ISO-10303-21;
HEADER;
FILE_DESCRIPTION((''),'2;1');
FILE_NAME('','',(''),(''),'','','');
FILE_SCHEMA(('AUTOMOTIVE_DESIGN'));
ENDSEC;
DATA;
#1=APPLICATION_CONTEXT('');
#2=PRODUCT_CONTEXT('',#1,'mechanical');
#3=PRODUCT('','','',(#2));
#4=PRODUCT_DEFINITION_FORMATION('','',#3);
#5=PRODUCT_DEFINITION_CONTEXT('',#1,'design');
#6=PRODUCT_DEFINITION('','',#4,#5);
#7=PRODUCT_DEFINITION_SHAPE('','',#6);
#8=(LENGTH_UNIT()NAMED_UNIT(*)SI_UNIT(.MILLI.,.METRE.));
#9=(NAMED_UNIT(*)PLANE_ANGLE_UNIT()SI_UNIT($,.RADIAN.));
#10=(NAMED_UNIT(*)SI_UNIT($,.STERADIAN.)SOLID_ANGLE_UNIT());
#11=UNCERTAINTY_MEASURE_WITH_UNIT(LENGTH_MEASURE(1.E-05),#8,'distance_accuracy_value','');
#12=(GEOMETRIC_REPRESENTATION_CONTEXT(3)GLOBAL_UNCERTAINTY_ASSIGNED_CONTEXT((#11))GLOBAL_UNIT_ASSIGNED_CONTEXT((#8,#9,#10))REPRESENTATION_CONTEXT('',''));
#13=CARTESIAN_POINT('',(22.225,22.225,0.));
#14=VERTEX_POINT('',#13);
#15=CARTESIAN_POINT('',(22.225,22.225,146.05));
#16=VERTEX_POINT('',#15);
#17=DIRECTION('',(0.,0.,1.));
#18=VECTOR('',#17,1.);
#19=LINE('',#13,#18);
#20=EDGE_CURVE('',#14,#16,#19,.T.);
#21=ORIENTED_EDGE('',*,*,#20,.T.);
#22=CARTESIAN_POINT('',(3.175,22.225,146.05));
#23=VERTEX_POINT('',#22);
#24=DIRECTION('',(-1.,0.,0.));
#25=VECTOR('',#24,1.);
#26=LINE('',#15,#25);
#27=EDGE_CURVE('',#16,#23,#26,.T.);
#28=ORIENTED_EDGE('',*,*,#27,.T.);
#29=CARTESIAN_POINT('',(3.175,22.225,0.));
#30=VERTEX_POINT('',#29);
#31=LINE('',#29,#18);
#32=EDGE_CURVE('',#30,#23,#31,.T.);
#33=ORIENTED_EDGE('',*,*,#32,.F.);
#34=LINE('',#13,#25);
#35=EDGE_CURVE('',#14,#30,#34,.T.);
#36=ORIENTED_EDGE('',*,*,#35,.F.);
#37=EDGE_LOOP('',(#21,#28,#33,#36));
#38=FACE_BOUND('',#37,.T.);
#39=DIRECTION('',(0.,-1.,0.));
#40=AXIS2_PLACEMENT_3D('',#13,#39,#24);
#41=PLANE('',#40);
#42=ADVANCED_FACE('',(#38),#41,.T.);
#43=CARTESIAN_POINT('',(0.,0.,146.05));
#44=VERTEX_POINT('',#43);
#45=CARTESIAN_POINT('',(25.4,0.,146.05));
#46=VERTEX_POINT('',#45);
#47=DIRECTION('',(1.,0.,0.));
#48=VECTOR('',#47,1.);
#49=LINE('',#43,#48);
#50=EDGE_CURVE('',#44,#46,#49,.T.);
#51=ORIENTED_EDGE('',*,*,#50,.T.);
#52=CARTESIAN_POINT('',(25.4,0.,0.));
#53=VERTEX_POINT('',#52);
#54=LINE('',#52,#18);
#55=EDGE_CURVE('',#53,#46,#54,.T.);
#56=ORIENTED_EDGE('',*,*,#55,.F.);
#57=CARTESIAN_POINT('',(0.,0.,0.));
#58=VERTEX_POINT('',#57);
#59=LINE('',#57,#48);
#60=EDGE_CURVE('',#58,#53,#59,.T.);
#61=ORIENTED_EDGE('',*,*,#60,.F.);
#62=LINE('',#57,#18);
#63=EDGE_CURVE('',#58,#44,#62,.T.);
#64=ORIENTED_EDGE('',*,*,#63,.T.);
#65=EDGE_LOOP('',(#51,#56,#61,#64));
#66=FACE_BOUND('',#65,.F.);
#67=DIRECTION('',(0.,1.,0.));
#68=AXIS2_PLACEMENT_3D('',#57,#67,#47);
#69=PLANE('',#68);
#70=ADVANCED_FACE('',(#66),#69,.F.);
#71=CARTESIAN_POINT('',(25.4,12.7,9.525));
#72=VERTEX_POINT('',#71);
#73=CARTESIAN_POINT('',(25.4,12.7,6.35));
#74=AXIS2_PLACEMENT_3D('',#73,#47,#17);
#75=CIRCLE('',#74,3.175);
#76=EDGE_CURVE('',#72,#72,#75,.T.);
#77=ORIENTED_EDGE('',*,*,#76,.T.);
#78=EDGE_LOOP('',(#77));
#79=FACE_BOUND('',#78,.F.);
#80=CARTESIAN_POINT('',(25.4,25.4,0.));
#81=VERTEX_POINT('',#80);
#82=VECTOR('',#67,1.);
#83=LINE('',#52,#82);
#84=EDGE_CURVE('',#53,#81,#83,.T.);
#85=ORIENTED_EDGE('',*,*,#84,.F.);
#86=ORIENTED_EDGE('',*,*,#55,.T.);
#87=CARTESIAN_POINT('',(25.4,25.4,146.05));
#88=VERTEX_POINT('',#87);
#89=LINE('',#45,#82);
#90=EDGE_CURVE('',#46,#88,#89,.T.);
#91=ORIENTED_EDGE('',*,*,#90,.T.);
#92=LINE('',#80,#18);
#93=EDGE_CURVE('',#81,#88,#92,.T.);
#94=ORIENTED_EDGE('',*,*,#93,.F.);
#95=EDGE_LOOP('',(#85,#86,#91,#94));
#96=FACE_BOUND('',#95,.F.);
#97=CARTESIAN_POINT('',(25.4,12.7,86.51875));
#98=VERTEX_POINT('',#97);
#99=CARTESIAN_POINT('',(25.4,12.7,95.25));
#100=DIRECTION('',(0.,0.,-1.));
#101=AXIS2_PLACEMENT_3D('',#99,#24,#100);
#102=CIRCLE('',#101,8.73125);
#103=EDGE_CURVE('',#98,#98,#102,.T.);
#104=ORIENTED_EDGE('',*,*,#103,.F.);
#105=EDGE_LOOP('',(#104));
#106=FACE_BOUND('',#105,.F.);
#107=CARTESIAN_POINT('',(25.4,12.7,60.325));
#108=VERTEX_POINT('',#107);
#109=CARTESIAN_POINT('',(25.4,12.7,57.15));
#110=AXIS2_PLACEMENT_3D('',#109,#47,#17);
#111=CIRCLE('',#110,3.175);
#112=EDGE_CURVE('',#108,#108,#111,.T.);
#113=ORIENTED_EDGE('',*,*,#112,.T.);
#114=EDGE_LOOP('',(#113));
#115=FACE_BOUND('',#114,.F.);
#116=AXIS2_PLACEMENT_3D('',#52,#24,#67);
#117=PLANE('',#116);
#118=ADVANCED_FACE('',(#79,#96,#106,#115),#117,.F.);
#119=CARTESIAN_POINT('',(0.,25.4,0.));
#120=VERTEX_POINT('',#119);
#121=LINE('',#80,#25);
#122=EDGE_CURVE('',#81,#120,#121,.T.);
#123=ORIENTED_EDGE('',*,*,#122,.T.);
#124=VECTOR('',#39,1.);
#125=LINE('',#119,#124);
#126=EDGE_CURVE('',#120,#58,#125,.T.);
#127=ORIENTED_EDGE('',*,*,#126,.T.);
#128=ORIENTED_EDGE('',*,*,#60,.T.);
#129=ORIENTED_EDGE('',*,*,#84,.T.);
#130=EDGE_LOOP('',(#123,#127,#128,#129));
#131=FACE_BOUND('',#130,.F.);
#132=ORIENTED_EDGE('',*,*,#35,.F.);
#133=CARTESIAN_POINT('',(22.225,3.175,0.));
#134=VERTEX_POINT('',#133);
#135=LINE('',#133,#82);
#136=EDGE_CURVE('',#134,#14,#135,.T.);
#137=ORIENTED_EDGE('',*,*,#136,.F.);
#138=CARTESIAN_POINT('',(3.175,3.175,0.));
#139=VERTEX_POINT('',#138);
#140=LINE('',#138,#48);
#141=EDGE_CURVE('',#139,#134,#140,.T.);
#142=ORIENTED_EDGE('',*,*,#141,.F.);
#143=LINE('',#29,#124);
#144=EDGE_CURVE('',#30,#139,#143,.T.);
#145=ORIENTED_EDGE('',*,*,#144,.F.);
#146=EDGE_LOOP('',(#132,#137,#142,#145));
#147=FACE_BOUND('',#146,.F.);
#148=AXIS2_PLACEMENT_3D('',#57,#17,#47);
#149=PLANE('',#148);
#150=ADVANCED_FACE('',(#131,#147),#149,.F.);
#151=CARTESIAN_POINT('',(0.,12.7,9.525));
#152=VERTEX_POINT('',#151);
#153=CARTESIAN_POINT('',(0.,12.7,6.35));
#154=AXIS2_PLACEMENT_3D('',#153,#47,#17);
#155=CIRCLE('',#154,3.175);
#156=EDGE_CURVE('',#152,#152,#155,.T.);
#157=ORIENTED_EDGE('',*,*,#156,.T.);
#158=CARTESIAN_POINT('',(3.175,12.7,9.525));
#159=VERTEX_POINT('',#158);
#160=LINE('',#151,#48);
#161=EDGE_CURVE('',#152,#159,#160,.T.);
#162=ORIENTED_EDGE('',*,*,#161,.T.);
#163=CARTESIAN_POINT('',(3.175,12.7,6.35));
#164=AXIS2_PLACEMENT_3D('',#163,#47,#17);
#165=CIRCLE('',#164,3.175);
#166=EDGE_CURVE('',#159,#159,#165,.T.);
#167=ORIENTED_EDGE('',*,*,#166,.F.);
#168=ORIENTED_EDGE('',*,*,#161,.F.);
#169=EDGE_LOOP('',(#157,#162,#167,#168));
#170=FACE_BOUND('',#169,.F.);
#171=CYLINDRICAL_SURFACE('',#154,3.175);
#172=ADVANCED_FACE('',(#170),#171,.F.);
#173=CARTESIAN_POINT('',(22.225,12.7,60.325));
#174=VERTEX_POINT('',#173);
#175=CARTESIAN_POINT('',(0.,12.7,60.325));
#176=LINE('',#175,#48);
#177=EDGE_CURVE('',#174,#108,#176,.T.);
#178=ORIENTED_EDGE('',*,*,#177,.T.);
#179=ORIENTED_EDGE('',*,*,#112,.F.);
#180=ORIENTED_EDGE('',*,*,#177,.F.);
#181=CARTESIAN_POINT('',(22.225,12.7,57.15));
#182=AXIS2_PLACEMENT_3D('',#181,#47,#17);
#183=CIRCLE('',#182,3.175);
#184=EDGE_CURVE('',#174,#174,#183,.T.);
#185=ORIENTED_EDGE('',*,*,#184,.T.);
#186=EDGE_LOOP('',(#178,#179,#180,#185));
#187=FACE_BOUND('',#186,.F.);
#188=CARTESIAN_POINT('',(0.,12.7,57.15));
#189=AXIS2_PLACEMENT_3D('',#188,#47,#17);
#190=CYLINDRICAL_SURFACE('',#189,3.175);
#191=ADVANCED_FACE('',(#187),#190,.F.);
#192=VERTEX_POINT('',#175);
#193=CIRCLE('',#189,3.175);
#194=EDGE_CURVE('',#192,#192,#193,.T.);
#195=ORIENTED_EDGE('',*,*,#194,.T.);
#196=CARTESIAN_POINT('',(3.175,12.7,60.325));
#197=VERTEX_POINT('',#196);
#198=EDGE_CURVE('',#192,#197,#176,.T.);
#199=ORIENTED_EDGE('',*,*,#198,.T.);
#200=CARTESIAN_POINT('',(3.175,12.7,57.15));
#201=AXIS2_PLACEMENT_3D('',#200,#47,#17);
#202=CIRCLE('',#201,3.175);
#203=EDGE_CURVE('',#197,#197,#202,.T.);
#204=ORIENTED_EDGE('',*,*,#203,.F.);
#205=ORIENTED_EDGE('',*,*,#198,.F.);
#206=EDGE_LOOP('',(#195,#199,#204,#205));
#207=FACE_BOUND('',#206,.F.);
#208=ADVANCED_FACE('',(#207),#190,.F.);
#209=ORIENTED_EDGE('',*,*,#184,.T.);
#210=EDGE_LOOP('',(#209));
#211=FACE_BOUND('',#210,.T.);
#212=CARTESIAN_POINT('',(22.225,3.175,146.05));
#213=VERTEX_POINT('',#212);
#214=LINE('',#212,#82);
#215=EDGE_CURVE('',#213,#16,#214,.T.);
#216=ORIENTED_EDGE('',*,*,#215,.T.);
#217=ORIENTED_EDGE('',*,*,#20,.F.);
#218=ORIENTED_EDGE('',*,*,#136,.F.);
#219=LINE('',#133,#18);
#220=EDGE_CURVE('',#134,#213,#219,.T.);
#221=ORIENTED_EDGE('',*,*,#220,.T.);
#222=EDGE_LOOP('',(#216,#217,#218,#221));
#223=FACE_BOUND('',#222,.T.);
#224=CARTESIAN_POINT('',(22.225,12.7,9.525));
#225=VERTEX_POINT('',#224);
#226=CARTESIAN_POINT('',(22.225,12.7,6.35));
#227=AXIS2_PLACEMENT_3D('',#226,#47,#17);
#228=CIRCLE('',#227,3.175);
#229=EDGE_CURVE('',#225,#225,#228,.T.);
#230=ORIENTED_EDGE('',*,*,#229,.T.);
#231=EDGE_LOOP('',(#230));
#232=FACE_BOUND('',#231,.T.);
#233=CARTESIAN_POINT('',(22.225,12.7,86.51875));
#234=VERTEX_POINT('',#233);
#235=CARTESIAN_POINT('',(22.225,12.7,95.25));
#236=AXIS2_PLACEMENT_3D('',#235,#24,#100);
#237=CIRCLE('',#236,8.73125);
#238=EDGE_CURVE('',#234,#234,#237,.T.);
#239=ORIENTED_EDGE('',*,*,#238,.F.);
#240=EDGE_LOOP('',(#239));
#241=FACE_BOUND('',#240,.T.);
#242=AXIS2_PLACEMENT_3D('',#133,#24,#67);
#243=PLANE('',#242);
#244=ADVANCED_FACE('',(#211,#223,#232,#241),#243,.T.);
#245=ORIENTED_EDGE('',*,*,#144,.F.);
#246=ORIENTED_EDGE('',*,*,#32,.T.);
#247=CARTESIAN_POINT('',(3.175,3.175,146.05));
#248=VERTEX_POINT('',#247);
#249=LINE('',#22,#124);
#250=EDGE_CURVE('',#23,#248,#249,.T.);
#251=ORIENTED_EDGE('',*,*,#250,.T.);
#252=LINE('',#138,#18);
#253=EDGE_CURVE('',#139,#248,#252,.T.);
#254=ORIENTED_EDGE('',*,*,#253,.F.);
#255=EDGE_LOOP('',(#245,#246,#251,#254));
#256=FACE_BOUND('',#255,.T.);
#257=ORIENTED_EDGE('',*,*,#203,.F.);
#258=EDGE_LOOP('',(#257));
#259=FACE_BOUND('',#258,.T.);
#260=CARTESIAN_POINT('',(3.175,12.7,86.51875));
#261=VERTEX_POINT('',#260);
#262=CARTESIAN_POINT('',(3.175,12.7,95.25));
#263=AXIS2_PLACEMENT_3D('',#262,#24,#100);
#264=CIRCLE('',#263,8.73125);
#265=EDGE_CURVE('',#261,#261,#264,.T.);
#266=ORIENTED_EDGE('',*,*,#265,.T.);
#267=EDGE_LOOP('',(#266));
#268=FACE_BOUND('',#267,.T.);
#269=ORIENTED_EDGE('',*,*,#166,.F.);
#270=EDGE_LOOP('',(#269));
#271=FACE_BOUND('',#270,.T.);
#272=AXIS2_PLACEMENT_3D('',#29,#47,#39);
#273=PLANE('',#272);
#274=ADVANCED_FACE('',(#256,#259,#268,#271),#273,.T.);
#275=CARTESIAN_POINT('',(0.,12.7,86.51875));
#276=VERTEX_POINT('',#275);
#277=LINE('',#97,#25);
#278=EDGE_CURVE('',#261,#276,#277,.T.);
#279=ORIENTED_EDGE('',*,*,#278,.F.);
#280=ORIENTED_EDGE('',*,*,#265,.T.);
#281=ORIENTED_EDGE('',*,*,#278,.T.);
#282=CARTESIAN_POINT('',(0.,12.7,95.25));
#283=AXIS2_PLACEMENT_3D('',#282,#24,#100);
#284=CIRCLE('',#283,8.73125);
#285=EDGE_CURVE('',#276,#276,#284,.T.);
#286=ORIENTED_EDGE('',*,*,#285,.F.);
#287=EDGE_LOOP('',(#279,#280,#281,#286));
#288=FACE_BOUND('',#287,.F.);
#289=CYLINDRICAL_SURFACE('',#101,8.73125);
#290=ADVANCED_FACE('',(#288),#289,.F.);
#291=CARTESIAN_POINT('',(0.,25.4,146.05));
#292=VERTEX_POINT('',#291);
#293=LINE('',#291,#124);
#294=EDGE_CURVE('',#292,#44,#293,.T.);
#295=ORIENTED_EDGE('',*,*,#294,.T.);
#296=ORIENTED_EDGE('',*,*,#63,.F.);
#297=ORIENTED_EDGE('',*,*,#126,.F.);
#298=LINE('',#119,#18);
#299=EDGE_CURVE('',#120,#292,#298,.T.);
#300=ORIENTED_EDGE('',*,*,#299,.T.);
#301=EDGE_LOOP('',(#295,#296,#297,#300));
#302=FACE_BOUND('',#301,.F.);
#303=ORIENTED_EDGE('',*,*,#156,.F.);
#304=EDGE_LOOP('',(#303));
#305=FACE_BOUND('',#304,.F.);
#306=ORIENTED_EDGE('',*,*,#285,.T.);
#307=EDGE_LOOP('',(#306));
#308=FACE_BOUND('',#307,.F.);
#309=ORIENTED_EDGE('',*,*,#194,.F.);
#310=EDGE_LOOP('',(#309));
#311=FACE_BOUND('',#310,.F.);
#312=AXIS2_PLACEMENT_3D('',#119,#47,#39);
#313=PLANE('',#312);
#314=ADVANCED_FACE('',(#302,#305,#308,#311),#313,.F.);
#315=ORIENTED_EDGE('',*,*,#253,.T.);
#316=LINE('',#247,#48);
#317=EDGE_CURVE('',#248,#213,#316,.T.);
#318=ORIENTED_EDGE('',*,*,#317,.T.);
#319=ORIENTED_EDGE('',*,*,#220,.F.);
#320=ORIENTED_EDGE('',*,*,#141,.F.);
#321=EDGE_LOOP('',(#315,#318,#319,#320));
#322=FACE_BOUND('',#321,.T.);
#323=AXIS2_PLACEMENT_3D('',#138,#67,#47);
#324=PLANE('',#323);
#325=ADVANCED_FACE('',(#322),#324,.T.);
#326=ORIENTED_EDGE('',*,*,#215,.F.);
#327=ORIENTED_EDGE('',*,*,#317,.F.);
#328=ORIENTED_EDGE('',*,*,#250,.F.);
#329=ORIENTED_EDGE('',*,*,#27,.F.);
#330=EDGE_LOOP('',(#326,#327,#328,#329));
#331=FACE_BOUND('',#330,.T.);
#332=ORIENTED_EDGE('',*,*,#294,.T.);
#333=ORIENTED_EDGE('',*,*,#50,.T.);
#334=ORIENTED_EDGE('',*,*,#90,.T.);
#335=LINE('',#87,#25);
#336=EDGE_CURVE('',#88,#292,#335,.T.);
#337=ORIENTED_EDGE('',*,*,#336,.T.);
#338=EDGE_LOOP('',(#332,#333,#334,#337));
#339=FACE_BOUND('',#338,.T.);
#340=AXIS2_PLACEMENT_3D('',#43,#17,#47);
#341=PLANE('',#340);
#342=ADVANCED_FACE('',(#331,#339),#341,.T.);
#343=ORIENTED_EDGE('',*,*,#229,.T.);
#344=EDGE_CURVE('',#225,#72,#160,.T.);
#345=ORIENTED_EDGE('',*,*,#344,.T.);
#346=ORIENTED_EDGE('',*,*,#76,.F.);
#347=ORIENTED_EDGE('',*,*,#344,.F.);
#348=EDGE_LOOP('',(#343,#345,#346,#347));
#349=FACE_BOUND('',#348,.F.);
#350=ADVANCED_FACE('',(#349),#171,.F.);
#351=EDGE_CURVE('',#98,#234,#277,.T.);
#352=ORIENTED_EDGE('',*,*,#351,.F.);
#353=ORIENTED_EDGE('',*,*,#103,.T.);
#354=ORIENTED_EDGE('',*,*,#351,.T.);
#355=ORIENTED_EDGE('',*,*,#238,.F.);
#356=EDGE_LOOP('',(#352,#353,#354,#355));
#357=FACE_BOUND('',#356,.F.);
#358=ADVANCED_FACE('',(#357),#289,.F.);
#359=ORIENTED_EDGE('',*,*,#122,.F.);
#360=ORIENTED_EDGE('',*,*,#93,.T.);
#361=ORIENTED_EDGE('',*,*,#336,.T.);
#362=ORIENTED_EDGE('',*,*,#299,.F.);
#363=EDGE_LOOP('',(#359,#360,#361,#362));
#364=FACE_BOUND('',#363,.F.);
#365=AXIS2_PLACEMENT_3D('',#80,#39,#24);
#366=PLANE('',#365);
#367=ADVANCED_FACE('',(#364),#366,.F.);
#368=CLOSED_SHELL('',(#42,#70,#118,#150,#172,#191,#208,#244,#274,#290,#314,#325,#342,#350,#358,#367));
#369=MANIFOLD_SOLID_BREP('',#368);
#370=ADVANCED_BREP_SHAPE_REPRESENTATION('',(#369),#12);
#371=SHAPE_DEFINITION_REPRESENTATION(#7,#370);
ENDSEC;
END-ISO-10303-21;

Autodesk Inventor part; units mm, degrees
ref_plane "YZ Plane" through (0, 0, 0) normal (1, 0, 0) x (0, 1, 0)
ref_plane "XZ Plane" through (0, 0, 0) normal (0, 1, 0) x (-1, 0, 0)
ref_plane "XY Plane" through (0, 0, 0) normal (0, 0, 1) x (1, 0, 0)
sketch "Sketch1" plane through (0, 0, 0) normal (0, 0, 1) x (1, 0, 0)
  line L0 (0, 0) -> (25.4, 0)
  line L1 (25.4, 0) -> (25.4, 25.4)
  line L2 (25.4, 25.4) -> (0, 25.4)
  line L3 (0, 25.4) -> (0, 0)
  line L4 (3.175, 3.175) -> (22.225, 3.175)
  line L5 (22.225, 3.175) -> (22.225, 22.225)
  line L6 (22.225, 22.225) -> (3.175, 22.225)
  line L7 (3.175, 22.225) -> (3.175, 3.175)
  dimension "d0" = 25.4
  dimension "d1" = 25.4
  dimension "d2" = 19.05
  dimension "d3" = 19.05
  dimension "d4" = 3.175
  dimension "d5" = 3.175
extrude "Extrusion1" add sketch "Sketch1" along normal blind 146.05
sketch "Sketch2" plane through (0, 0, 0) normal (-1, 0, 0) x (0, 0, 1)
  line L0 (0, 25.4) -> (0, 0) projected
  line L1 (0, 0) -> (146.05, 0) projected
  point P0 (6.35, 12.7)
  point P1 (57.15, 12.7)
  dimension "d8" = 12.7
  dimension "d9" = 6.35
  dimension "d10" = 12.7
  dimension "d11" = 57.15
hole "Hole1" at (0, 12.7, 6.35) at (0, 12.7, 57.15) direction (1, 0, 0) diameter 6.35 end through all
sketch "Sketch3" plane through (25.4, 0, 0) normal (1, 0, 0) x (0, 0, -1)
  line L0 (-146.05, 0) -> (-146.05, 25.4) projected
  line L1 (0, 0) -> (-146.05, 0) projected
  point P0 (-95.25, 12.7)
  dimension "d19" = 50.8
  dimension "d20" = 12.7
hole "Hole2" at (25.4, 12.7, 95.25) direction (-1, 0, 0) diameter 17.4625 end through all
properties part number "back roller 1x1"
